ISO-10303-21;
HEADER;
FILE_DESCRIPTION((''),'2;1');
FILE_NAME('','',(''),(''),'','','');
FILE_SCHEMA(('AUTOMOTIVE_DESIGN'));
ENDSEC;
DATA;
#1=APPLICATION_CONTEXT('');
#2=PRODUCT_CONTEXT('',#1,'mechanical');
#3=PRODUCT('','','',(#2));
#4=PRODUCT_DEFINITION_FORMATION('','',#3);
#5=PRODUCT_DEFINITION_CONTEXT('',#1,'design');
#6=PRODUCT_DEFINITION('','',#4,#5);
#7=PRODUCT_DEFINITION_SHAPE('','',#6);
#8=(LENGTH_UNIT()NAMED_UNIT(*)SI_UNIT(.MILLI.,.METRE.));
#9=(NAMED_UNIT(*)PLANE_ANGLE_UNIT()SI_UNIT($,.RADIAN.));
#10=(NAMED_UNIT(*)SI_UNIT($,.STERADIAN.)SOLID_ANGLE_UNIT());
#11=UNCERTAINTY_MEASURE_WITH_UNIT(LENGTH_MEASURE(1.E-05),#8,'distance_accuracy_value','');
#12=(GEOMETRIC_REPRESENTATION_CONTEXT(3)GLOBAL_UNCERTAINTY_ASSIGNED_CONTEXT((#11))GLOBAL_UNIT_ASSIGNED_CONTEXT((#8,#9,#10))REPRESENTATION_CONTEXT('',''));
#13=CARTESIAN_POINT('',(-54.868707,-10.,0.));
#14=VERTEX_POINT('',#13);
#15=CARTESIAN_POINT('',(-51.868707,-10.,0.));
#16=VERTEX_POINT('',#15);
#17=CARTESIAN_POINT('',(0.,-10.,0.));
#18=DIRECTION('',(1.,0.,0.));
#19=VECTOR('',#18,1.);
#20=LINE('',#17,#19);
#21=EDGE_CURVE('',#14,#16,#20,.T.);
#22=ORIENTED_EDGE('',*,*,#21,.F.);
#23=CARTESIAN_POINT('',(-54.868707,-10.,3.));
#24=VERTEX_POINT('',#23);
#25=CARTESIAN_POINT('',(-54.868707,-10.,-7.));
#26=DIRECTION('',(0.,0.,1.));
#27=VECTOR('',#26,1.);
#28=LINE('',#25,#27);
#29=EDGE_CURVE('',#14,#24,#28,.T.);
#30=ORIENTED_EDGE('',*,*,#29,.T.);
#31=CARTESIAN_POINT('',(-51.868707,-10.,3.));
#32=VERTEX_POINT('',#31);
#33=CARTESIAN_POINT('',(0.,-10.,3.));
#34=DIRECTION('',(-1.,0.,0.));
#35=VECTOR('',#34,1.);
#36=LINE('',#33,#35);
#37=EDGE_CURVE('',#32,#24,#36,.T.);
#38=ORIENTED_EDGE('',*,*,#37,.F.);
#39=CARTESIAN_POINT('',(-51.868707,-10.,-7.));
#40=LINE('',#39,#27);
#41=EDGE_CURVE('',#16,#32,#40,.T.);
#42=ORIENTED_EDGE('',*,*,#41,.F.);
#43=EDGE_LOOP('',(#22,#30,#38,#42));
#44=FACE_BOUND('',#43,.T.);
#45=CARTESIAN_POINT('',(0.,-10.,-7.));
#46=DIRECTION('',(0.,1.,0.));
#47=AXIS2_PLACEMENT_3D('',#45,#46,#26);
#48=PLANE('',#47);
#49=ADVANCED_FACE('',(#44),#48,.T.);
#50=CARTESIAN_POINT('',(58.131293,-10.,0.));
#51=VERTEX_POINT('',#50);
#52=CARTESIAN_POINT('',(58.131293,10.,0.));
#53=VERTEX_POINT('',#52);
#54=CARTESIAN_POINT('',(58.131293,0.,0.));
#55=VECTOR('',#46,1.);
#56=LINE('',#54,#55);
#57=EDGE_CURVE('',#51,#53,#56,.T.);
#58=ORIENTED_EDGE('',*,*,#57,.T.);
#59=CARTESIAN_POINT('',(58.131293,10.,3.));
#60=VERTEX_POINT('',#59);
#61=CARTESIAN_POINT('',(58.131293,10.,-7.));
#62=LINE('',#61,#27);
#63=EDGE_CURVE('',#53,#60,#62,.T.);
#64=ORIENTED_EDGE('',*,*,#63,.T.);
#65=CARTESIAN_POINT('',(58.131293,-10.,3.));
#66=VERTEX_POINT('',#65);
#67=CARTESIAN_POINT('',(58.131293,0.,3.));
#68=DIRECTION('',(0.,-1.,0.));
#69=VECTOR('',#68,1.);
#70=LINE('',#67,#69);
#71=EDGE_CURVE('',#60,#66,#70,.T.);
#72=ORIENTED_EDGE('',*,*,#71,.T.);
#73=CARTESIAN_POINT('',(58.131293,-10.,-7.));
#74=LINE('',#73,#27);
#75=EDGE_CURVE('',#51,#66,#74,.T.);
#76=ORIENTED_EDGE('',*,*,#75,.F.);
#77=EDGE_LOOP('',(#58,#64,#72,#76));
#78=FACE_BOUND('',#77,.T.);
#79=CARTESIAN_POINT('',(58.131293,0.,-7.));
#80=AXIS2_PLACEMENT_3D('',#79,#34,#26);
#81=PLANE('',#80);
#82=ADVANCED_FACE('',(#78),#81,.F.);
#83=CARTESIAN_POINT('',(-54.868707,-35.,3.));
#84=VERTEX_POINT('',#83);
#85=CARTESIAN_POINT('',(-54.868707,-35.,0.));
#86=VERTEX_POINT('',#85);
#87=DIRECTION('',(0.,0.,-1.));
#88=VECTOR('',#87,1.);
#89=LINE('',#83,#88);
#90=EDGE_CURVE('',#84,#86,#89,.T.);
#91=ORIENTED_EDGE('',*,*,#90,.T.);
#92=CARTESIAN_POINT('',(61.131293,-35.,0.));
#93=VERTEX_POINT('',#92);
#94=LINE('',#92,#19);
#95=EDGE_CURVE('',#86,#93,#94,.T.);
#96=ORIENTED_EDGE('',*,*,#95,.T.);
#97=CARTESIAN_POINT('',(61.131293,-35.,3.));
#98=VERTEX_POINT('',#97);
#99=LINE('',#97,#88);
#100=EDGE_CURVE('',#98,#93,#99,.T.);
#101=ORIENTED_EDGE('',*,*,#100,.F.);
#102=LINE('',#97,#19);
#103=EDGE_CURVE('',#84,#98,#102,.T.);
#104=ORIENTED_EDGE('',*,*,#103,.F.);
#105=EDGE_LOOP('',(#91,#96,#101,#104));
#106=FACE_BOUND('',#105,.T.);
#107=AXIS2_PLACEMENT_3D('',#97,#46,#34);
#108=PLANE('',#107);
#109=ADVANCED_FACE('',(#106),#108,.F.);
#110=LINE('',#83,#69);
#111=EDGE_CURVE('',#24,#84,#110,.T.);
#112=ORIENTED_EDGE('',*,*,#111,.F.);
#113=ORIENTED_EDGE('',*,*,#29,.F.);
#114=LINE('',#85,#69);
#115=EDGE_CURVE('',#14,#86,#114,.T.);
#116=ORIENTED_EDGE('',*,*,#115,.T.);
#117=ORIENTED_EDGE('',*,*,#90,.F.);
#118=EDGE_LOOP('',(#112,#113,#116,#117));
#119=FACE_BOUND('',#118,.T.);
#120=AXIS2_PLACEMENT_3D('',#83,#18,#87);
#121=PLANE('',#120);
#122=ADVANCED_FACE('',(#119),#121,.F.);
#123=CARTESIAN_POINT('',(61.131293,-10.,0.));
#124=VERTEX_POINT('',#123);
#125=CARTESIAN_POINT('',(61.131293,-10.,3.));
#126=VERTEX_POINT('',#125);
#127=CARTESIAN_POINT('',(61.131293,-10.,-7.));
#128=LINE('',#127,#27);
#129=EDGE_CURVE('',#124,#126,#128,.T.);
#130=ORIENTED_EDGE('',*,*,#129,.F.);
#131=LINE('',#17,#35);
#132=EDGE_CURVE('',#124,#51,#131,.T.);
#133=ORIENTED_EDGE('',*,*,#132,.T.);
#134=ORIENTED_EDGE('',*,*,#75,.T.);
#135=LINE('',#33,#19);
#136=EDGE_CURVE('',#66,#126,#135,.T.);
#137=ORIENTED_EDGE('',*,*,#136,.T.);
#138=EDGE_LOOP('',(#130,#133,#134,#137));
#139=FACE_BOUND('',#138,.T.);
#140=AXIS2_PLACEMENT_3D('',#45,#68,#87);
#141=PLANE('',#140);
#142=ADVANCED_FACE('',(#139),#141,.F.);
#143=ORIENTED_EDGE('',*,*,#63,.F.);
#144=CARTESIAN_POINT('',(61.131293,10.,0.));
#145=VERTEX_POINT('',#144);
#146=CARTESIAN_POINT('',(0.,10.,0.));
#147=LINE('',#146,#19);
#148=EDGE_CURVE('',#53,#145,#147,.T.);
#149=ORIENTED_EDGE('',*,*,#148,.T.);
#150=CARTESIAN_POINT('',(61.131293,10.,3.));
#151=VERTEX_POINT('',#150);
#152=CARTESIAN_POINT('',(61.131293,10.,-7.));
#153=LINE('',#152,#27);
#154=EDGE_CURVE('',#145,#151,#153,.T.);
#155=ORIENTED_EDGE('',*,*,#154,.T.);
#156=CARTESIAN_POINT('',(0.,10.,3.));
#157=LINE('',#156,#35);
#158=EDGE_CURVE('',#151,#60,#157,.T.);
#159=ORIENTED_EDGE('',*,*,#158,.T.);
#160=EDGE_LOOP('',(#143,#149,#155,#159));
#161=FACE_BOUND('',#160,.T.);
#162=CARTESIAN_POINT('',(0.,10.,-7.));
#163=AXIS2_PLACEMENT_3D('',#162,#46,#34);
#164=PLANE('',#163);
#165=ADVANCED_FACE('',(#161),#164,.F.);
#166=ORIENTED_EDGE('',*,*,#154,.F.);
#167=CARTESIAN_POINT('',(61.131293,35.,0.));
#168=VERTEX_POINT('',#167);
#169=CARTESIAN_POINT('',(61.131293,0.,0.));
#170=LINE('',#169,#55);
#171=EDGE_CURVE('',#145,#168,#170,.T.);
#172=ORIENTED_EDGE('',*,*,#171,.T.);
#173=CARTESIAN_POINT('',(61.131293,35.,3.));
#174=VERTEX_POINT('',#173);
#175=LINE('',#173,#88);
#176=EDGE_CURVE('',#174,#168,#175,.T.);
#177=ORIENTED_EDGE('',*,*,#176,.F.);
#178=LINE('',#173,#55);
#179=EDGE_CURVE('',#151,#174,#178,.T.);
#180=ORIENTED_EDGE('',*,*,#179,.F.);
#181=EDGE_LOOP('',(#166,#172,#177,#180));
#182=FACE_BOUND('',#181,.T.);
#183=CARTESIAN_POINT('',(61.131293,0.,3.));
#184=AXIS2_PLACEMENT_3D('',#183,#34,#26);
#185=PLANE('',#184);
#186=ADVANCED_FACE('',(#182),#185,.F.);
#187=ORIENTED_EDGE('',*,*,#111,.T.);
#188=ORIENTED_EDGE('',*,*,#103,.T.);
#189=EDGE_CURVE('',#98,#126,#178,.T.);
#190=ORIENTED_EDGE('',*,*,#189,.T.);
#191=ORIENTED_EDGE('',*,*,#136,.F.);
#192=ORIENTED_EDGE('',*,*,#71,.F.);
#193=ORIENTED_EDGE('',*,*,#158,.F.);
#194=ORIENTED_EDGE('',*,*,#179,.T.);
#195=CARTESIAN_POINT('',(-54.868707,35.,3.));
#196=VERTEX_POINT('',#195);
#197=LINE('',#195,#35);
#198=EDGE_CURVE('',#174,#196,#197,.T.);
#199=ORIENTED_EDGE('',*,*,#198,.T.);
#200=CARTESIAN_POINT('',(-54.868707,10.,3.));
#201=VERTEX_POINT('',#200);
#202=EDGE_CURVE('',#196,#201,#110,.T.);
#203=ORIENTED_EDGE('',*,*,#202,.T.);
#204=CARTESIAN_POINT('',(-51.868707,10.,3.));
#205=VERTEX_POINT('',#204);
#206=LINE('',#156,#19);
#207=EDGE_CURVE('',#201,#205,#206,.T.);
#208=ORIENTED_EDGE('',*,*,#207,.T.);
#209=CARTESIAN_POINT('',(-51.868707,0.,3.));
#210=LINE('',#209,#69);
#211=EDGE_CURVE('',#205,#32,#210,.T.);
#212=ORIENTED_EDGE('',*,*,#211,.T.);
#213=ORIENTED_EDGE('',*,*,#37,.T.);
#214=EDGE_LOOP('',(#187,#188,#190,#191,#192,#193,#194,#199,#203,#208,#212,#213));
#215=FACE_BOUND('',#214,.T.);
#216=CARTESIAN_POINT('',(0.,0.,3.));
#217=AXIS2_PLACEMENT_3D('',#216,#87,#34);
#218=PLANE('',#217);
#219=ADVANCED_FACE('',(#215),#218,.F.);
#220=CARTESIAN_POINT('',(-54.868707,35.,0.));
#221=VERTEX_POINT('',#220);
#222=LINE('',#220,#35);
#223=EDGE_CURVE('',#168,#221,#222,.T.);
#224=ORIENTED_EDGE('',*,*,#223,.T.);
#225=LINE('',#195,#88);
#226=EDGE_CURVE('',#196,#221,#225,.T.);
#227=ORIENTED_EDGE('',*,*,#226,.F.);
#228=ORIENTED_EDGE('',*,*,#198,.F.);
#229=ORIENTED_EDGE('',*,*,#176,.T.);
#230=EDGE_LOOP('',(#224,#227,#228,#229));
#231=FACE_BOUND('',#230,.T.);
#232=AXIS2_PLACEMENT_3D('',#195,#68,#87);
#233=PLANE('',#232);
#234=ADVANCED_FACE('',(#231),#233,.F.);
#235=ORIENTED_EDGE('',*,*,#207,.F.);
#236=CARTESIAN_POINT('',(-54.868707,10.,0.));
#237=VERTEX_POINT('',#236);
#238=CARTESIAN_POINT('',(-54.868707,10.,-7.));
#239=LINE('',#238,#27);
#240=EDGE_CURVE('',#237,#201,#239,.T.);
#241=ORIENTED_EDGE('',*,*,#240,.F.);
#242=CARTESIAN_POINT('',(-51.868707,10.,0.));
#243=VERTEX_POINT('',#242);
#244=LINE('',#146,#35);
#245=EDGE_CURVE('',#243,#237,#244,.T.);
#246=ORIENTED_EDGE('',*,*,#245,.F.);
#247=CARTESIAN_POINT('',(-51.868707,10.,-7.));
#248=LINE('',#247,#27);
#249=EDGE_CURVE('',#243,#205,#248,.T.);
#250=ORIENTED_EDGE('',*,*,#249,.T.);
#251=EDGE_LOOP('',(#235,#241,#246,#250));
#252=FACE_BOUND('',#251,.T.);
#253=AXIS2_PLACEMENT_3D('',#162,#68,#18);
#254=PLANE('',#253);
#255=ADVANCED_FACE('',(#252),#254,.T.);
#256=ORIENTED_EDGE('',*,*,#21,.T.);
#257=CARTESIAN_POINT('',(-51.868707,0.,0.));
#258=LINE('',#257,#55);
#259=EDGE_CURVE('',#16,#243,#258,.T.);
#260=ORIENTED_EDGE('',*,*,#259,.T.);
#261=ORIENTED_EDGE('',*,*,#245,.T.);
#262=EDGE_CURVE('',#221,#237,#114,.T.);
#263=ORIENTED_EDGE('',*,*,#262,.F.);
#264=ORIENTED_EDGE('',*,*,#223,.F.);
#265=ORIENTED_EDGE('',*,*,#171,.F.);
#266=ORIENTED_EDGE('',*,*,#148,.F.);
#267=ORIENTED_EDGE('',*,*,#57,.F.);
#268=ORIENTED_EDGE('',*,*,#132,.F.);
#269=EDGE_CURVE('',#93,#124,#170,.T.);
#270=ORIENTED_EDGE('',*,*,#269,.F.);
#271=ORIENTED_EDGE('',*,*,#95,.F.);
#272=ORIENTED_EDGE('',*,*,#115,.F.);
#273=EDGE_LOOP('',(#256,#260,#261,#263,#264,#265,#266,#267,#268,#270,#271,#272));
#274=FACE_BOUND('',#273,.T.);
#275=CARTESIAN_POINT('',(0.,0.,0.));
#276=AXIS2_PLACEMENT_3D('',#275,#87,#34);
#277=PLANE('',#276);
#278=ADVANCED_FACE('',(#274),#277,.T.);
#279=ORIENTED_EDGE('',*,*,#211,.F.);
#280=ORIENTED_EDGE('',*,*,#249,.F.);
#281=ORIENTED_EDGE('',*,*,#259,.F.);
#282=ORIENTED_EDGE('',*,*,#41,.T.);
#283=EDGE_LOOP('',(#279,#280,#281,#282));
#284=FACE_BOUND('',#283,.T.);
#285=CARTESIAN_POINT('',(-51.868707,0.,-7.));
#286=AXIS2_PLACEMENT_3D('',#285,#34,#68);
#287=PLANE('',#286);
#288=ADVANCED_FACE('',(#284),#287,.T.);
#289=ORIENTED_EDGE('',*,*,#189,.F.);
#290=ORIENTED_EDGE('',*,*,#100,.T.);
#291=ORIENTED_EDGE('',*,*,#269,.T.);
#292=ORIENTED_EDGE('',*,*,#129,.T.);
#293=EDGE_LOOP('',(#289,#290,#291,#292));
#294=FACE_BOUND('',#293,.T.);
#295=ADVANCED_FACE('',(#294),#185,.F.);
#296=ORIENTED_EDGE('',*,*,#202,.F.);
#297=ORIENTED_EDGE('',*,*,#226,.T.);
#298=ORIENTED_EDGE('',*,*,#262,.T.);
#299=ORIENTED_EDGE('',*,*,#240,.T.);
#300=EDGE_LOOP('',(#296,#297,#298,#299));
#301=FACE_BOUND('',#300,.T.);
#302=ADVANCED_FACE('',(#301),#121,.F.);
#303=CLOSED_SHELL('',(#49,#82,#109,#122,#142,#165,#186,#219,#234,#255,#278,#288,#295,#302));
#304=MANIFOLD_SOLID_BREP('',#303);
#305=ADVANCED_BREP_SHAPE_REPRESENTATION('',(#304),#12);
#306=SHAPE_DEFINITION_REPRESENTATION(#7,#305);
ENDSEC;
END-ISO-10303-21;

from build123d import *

# Parameters (mm, degrees)
BOSS_EXTRUDE1_DEPTH = 3
SKETCH3_W           = 3
SKETCH3_H           = 20
CUT_EXTRUDE1_DEPTH  = 10


with BuildPart() as part:
    # Sketch2 → Boss-Extrude1 (new body)
    with BuildSketch(Plane.XY):
        Polygon((61.131293058, 0), (61.131293058, -35), (-54.868706942, -35), (-54.868706942, 35), (61.131293058, 35), align=None)
    extrude(amount=BOSS_EXTRUDE1_DEPTH)

    # Sketch3 → Cut-Extrude1 (cut)
    with BuildSketch(Plane.XY.offset(3)):
        with Locations((59.631293058, 0)):
            Rectangle(SKETCH3_W, SKETCH3_H)
        with Locations((-53.368706942, 0)):
            Rectangle(SKETCH3_W, SKETCH3_H)
    extrude(amount=-CUT_EXTRUDE1_DEPTH, mode=Mode.SUBTRACT)


solid = part.part
